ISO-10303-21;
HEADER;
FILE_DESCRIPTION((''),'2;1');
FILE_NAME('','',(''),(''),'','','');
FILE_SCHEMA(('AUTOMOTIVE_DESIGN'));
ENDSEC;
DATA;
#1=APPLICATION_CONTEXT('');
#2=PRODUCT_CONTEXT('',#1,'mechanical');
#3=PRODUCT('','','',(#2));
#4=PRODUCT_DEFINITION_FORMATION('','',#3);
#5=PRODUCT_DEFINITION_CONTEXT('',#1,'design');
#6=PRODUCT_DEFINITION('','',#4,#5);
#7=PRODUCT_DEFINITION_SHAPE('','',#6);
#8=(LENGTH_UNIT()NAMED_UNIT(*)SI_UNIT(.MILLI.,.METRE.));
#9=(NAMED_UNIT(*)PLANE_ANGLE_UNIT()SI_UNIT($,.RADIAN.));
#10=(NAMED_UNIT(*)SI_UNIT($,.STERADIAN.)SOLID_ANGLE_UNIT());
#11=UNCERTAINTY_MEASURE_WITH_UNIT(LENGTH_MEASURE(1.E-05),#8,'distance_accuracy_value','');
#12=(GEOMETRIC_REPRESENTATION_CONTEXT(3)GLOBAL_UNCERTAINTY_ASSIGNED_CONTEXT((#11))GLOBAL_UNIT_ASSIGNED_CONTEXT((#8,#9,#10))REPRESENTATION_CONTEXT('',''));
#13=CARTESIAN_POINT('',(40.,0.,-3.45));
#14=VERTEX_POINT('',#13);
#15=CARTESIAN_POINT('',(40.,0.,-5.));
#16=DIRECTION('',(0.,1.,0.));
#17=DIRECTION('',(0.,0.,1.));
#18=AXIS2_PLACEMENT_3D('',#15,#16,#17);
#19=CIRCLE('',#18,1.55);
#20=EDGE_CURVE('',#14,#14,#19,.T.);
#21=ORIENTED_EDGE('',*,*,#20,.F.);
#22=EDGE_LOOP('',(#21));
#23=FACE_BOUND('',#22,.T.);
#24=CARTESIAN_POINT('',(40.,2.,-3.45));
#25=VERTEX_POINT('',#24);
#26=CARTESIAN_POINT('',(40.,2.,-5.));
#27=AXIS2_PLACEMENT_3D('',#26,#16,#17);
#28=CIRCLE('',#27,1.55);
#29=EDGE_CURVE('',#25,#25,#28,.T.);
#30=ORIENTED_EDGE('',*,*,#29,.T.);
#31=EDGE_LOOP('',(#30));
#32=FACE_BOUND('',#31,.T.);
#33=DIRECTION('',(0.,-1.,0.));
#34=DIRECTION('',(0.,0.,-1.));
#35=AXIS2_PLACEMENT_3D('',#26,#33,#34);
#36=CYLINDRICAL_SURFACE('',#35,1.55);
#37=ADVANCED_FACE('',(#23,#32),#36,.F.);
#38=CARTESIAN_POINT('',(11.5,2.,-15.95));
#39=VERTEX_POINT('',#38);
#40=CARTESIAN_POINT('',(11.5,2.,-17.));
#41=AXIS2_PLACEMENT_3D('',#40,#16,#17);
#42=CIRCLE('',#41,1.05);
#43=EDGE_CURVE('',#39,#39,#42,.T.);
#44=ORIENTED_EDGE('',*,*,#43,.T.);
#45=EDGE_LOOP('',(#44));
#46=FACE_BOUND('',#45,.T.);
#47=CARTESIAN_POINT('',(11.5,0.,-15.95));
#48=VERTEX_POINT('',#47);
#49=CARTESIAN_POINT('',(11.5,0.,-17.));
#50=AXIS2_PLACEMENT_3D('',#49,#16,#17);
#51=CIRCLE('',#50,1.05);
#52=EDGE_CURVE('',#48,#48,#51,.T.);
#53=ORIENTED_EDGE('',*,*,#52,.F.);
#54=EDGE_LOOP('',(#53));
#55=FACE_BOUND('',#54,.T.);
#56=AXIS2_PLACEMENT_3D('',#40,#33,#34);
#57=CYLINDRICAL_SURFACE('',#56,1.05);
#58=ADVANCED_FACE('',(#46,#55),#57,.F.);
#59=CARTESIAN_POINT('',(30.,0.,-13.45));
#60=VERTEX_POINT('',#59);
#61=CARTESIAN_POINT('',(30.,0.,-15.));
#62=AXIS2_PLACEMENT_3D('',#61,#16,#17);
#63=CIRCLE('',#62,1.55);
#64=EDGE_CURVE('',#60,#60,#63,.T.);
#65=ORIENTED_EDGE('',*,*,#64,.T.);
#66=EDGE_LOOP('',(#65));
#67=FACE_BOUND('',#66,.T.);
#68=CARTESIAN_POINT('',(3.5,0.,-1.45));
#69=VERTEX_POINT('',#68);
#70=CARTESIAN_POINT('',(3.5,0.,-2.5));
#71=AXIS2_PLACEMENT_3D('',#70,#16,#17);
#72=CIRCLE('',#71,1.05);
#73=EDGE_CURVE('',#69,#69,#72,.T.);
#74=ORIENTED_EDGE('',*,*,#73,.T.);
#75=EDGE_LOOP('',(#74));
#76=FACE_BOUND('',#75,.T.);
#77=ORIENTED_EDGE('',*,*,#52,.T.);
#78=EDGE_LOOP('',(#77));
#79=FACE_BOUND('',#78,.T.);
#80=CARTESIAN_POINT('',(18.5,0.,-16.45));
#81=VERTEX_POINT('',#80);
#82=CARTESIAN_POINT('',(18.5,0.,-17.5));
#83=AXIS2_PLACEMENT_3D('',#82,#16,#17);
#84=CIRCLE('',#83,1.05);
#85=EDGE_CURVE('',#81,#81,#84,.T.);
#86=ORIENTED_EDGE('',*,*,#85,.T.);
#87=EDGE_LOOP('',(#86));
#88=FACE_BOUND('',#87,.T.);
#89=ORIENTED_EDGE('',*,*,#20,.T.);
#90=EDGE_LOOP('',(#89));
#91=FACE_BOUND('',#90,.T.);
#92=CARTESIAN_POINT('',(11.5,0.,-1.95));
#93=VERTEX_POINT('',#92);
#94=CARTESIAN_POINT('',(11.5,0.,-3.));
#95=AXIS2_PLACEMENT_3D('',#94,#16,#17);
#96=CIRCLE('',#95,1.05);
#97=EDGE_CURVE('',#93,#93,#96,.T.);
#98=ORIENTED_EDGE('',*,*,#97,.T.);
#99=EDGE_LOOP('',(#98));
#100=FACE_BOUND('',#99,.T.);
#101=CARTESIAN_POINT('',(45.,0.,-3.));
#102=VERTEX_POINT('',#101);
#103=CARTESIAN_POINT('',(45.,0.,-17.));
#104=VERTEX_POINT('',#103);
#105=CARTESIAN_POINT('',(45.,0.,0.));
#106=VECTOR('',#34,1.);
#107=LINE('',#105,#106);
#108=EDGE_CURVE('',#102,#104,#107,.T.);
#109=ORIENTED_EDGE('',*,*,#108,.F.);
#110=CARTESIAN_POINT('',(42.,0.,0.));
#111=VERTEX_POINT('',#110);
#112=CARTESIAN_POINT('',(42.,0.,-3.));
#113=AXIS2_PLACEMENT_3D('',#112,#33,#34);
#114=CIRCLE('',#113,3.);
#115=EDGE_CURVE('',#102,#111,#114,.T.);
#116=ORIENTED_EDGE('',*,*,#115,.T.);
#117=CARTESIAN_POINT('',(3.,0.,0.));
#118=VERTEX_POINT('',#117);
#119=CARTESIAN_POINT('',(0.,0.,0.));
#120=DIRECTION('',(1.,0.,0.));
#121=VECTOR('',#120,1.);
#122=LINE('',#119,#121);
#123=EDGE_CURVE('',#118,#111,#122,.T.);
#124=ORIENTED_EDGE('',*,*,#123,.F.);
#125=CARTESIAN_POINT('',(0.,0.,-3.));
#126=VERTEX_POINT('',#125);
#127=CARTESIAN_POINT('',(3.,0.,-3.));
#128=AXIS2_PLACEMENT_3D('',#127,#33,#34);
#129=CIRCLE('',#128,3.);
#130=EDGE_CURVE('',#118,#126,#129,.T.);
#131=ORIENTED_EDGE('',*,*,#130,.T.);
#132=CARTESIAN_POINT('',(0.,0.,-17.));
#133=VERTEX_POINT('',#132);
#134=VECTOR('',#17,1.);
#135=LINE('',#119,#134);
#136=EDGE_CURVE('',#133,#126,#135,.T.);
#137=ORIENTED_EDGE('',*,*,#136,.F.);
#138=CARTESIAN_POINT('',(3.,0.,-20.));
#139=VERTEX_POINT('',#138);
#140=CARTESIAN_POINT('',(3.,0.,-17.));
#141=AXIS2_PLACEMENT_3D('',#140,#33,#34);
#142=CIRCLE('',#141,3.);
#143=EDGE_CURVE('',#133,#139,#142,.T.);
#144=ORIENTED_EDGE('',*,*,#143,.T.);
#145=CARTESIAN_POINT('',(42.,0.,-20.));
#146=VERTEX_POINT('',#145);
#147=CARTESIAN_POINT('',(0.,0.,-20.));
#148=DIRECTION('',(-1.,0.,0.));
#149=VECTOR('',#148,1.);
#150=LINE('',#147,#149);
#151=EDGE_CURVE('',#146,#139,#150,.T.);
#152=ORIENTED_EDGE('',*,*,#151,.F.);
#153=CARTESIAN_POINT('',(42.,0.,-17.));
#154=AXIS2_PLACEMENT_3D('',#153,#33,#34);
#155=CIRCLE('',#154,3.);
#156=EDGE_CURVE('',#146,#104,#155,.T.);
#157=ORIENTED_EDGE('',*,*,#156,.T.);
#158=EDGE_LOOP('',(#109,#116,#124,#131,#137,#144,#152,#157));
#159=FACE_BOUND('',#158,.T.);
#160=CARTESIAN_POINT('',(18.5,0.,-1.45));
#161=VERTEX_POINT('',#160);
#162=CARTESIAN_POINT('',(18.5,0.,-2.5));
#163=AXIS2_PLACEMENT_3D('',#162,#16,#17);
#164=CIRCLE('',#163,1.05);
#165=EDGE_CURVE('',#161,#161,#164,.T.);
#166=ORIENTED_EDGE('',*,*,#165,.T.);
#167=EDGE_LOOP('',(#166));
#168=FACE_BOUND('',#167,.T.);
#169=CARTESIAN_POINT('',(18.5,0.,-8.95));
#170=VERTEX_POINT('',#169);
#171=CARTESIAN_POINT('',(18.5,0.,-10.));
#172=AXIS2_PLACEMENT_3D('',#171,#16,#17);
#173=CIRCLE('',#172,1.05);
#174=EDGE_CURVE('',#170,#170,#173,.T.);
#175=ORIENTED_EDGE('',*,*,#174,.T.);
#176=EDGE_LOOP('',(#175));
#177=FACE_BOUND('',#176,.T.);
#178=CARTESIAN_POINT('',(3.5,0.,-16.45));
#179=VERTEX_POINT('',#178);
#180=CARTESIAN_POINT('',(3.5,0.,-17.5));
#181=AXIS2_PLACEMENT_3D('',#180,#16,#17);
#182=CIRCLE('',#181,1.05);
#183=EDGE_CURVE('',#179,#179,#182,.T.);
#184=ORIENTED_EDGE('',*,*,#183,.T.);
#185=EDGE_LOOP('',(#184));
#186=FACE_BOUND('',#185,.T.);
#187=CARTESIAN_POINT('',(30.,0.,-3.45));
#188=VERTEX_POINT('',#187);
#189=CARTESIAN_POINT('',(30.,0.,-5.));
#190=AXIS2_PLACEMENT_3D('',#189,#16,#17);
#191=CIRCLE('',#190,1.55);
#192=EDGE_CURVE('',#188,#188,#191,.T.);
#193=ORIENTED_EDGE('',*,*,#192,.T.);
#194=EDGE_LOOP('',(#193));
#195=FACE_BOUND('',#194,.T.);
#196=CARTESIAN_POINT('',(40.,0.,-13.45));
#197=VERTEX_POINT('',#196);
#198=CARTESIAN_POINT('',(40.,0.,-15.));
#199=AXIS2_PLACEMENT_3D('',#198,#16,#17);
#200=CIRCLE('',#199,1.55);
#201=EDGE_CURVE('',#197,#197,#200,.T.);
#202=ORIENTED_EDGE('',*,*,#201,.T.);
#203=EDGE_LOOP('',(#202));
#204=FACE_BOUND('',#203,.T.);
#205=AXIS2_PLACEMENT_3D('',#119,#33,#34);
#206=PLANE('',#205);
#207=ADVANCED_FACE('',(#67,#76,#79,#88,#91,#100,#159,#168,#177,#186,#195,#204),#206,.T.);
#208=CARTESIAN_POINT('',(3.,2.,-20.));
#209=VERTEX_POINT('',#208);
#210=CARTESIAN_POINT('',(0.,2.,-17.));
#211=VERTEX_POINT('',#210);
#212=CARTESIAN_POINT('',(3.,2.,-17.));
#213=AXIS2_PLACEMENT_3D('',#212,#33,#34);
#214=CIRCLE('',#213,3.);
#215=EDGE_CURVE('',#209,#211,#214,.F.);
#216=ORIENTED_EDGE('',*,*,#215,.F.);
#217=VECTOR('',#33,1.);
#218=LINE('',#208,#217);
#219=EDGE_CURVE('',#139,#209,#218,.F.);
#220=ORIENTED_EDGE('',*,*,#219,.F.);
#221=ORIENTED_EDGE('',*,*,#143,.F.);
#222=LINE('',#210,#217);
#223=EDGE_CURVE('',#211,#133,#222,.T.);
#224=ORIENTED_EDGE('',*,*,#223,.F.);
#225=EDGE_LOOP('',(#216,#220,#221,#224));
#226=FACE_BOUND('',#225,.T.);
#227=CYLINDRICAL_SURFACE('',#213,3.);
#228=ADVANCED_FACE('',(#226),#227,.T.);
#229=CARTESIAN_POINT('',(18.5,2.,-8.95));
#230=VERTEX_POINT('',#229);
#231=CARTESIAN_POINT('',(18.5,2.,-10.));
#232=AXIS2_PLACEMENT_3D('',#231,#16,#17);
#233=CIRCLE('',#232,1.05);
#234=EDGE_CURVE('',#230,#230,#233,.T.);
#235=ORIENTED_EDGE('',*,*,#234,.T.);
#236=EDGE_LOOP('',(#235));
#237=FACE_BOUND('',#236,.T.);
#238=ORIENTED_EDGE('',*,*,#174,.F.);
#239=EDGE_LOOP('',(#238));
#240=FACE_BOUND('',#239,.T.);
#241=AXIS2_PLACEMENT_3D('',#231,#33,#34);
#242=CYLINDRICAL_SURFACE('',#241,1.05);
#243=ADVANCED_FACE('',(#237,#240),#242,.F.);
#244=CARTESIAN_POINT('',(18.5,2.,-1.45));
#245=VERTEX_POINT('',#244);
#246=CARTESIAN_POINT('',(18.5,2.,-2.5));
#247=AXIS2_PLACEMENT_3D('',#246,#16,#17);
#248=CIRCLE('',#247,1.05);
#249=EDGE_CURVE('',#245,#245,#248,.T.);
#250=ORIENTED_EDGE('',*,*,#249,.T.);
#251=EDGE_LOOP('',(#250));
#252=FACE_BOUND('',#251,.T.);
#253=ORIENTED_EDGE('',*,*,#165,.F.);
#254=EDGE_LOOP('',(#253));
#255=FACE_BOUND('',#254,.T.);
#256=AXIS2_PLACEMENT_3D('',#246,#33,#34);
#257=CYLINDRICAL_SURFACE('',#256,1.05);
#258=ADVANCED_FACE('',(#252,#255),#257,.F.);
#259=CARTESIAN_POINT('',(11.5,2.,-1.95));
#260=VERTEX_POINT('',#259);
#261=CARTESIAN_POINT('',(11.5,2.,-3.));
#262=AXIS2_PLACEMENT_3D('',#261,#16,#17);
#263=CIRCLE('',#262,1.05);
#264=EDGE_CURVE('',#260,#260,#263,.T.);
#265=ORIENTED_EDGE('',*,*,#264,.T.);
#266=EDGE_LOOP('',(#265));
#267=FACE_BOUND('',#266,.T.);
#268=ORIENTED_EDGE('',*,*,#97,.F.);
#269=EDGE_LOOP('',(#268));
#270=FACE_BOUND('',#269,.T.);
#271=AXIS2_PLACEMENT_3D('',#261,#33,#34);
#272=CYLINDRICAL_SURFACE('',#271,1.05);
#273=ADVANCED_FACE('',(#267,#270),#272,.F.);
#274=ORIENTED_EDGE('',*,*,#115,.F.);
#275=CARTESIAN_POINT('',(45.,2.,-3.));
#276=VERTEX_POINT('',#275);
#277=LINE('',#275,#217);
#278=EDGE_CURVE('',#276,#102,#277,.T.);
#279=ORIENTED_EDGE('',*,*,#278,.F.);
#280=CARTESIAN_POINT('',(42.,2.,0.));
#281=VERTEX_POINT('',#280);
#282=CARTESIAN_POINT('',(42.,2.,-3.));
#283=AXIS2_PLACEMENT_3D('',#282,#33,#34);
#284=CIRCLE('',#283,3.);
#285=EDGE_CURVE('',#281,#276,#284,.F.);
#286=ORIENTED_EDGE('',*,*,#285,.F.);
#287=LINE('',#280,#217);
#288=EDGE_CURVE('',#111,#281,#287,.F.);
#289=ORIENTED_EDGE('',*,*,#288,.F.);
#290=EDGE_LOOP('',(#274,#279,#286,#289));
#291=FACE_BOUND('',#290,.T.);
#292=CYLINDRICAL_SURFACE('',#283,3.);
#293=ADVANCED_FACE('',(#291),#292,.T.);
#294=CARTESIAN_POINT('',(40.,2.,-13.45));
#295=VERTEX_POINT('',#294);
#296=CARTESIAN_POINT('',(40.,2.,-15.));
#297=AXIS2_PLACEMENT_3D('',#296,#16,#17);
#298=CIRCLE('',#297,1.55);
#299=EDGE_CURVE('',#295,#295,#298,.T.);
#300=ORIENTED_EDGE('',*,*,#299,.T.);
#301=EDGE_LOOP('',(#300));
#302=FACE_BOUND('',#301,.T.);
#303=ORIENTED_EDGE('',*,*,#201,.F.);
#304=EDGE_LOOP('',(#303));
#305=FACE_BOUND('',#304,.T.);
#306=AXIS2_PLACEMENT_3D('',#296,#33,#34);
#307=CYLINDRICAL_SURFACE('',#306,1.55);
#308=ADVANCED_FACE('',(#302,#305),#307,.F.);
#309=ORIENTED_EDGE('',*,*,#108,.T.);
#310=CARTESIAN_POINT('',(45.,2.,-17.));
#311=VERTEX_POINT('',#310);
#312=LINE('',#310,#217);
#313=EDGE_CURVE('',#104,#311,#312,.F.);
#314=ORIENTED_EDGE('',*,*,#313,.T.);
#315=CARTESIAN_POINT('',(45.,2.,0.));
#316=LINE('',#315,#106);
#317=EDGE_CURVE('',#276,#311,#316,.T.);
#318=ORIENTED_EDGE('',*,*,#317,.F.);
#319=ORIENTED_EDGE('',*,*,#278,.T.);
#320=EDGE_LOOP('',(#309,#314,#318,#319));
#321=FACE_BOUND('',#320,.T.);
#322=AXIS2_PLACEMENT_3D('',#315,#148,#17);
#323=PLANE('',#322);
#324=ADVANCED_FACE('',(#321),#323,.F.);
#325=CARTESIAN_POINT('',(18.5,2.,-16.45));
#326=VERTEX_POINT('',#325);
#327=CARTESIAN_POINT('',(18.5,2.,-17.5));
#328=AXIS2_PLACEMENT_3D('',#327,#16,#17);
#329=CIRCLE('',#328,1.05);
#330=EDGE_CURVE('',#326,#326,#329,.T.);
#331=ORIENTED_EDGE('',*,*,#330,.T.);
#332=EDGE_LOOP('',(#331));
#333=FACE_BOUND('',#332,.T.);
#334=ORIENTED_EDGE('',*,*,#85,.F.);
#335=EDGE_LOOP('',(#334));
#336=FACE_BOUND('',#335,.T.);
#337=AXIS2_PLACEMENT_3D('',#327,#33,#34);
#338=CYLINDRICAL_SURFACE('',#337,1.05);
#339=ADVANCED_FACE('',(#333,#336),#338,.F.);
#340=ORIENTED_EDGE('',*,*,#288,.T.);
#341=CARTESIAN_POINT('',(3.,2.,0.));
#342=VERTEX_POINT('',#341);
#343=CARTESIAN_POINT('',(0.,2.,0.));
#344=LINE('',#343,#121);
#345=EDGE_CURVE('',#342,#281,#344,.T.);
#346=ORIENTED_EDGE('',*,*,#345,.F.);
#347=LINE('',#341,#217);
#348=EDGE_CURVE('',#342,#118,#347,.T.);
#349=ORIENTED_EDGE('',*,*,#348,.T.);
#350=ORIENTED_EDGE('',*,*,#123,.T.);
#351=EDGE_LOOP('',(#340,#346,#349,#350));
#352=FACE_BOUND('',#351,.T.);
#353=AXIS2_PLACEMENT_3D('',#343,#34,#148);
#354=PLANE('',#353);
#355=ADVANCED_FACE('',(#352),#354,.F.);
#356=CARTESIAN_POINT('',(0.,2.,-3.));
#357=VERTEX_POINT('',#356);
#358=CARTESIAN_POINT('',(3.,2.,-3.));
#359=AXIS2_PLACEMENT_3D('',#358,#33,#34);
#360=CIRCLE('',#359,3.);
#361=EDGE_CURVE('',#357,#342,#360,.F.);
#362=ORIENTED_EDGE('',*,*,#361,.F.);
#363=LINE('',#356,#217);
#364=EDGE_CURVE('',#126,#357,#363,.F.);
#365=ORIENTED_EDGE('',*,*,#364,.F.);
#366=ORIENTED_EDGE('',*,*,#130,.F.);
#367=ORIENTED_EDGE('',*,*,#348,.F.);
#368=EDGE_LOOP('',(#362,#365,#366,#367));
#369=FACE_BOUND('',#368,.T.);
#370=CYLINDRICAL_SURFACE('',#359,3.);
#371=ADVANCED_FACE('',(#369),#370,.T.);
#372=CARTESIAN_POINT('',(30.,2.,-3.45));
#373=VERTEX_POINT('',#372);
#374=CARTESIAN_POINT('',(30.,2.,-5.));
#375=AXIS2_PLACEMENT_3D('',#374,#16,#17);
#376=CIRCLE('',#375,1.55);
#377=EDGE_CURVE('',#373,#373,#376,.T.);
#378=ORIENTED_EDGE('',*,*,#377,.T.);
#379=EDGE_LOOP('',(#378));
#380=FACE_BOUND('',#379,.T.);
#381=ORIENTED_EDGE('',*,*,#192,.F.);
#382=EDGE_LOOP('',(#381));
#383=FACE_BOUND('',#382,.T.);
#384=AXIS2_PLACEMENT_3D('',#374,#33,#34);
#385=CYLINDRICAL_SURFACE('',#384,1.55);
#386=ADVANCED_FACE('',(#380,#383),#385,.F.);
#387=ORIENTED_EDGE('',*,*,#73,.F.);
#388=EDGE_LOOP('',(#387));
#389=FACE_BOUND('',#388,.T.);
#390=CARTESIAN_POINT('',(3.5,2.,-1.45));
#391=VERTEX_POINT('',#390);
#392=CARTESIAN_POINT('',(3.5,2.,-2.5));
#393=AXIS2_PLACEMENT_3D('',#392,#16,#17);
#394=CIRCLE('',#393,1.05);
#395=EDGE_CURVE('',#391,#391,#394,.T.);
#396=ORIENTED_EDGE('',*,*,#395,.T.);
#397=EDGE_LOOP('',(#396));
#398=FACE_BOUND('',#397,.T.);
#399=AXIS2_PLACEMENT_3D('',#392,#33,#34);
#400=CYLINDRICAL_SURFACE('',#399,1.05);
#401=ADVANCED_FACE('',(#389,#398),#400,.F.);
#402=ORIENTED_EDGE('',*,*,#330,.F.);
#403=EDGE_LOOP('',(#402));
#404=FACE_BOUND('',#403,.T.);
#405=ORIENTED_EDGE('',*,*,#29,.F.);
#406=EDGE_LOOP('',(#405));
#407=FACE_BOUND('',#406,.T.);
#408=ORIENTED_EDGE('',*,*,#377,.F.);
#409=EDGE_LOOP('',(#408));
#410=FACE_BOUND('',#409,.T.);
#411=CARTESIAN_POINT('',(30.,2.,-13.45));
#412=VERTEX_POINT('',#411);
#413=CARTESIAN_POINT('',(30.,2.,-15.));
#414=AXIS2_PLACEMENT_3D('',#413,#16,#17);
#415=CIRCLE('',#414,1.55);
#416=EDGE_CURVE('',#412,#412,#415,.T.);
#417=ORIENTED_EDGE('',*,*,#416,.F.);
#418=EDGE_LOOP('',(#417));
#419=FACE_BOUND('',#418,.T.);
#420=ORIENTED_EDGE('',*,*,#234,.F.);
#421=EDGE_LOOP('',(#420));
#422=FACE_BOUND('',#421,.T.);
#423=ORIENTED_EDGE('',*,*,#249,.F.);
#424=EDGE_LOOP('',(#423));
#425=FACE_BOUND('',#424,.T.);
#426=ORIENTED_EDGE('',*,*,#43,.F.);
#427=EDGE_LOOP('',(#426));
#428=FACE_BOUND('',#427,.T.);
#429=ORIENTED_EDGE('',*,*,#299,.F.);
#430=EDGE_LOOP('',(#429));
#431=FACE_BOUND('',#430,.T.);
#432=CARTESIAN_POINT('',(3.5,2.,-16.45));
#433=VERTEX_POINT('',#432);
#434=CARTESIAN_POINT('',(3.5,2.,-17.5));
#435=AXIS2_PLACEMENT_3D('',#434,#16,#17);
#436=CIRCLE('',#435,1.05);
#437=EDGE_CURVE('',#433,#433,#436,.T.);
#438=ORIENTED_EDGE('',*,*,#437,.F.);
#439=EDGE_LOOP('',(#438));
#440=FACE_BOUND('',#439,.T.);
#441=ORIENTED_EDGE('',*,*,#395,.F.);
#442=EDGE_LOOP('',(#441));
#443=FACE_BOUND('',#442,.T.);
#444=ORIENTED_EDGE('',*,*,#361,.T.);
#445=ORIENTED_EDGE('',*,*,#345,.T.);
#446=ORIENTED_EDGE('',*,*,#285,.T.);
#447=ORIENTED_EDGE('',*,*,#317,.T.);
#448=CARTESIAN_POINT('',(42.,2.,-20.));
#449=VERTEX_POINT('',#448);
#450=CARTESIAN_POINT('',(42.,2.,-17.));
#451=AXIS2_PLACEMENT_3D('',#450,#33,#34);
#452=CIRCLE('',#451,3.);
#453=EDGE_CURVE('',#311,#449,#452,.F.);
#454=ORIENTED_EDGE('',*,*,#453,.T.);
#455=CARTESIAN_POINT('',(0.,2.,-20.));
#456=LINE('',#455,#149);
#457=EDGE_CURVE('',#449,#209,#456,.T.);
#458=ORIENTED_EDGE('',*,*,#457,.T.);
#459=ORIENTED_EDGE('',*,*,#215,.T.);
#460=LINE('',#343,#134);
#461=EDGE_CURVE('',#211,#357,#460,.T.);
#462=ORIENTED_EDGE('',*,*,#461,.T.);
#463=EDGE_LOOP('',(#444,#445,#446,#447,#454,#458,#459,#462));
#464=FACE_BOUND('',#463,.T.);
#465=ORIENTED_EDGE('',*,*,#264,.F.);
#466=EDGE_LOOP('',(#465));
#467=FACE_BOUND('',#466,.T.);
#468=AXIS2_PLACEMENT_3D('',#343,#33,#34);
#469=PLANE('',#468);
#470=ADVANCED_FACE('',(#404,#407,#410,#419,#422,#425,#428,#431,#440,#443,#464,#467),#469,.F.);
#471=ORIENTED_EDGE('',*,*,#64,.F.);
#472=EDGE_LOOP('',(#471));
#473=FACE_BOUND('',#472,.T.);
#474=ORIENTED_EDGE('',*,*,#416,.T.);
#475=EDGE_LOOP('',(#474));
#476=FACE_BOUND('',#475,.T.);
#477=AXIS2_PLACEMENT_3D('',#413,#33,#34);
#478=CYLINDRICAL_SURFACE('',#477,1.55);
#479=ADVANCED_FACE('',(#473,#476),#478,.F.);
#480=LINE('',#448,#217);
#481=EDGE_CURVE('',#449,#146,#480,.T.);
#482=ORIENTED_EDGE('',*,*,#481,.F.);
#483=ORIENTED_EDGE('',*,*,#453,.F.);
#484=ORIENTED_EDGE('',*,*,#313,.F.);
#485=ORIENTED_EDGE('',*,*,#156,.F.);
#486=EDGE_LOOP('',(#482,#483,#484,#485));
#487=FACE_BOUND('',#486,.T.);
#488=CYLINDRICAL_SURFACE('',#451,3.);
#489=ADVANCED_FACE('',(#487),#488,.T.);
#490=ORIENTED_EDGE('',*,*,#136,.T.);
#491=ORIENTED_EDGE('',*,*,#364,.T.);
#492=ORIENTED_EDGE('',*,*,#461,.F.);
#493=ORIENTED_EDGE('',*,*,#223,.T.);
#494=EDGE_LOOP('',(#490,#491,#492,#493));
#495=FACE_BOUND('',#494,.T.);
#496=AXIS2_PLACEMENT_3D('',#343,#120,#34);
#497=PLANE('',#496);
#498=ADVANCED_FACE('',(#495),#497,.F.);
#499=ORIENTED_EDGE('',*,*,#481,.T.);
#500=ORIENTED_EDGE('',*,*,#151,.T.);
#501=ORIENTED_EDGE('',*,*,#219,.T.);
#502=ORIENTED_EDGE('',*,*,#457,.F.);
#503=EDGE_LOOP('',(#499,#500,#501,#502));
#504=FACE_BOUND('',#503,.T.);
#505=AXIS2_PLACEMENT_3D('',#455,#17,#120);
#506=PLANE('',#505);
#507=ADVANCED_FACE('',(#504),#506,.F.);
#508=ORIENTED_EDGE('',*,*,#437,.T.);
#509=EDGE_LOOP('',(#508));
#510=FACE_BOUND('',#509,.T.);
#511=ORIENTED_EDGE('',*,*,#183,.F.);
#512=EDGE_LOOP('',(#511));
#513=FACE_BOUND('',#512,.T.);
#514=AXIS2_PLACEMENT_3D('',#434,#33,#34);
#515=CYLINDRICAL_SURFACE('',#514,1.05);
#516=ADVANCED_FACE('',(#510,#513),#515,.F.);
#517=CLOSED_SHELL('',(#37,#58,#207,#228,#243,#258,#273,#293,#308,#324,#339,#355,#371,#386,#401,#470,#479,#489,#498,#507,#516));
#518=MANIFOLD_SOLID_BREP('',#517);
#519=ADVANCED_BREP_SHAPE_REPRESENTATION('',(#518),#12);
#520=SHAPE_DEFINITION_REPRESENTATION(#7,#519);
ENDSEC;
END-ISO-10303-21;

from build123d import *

# Parameters (mm, degrees)
SKETCH_1_W      = 45
SKETCH_1_H      = 20
SKETCH_1_R      = 1.55
SKETCH_1_R_2    = 1.05
EXTRUDE_1_DEPTH = 2
FILLET_1_R      = 3


with BuildPart() as part:
    # 草图1 → 凸台-拉伸1 (new body)
    with BuildSketch(Plane(origin=(0, 0, 0), x_dir=(1, 0, 0), z_dir=(0, 1, 0))):
        with Locations((22.5, 10)):
            Rectangle(SKETCH_1_W, SKETCH_1_H)
        with Locations(Location((30, 15, 0), (0, 0, 270))):
            Circle(SKETCH_1_R, mode=Mode.SUBTRACT)
        with Locations(Location((40, 15, 0), (0, 0, 270))):
            Circle(SKETCH_1_R, mode=Mode.SUBTRACT)
        with Locations(Location((40, 5, 0), (0, 0, 270))):
            Circle(SKETCH_1_R, mode=Mode.SUBTRACT)
        with Locations(Location((30, 5, 0), (0, 0, 270))):
            Circle(SKETCH_1_R, mode=Mode.SUBTRACT)
        with Locations(Location((11.5, 17, 0), (0, 0, 270))):
            Circle(SKETCH_1_R_2, mode=Mode.SUBTRACT)
        with Locations(Location((18.5, 10, 0), (0, 0, 270))):
            Circle(SKETCH_1_R_2, mode=Mode.SUBTRACT)
        with Locations(Location((11.5, 3, 0), (0, 0, 270))):
            Circle(SKETCH_1_R_2, mode=Mode.SUBTRACT)
        with Locations(Location((3.5, 17.5, 0), (0, 0, 270))):
            Circle(SKETCH_1_R_2, mode=Mode.SUBTRACT)
        with Locations(Location((18.5, 17.5, 0), (0, 0, 270))):
            Circle(SKETCH_1_R_2, mode=Mode.SUBTRACT)
        with Locations(Location((18.5, 2.5, 0), (0, 0, 270))):
            Circle(SKETCH_1_R_2, mode=Mode.SUBTRACT)
        with Locations(Location((3.5, 2.5, 0), (0, 0, 270))):
            Circle(SKETCH_1_R_2, mode=Mode.SUBTRACT)
    extrude(amount=EXTRUDE_1_DEPTH)

    # 圆角1
    fillet_1_edges = [part.edges().sort_by_distance(p)[0] for p in [
        (0, 1, -20),
        (45, 1, -20),
        (45, 1, 0),
        (0, 1, 0),
    ]]
    fillet(fillet_1_edges, radius=FILLET_1_R)


solid = part.part
